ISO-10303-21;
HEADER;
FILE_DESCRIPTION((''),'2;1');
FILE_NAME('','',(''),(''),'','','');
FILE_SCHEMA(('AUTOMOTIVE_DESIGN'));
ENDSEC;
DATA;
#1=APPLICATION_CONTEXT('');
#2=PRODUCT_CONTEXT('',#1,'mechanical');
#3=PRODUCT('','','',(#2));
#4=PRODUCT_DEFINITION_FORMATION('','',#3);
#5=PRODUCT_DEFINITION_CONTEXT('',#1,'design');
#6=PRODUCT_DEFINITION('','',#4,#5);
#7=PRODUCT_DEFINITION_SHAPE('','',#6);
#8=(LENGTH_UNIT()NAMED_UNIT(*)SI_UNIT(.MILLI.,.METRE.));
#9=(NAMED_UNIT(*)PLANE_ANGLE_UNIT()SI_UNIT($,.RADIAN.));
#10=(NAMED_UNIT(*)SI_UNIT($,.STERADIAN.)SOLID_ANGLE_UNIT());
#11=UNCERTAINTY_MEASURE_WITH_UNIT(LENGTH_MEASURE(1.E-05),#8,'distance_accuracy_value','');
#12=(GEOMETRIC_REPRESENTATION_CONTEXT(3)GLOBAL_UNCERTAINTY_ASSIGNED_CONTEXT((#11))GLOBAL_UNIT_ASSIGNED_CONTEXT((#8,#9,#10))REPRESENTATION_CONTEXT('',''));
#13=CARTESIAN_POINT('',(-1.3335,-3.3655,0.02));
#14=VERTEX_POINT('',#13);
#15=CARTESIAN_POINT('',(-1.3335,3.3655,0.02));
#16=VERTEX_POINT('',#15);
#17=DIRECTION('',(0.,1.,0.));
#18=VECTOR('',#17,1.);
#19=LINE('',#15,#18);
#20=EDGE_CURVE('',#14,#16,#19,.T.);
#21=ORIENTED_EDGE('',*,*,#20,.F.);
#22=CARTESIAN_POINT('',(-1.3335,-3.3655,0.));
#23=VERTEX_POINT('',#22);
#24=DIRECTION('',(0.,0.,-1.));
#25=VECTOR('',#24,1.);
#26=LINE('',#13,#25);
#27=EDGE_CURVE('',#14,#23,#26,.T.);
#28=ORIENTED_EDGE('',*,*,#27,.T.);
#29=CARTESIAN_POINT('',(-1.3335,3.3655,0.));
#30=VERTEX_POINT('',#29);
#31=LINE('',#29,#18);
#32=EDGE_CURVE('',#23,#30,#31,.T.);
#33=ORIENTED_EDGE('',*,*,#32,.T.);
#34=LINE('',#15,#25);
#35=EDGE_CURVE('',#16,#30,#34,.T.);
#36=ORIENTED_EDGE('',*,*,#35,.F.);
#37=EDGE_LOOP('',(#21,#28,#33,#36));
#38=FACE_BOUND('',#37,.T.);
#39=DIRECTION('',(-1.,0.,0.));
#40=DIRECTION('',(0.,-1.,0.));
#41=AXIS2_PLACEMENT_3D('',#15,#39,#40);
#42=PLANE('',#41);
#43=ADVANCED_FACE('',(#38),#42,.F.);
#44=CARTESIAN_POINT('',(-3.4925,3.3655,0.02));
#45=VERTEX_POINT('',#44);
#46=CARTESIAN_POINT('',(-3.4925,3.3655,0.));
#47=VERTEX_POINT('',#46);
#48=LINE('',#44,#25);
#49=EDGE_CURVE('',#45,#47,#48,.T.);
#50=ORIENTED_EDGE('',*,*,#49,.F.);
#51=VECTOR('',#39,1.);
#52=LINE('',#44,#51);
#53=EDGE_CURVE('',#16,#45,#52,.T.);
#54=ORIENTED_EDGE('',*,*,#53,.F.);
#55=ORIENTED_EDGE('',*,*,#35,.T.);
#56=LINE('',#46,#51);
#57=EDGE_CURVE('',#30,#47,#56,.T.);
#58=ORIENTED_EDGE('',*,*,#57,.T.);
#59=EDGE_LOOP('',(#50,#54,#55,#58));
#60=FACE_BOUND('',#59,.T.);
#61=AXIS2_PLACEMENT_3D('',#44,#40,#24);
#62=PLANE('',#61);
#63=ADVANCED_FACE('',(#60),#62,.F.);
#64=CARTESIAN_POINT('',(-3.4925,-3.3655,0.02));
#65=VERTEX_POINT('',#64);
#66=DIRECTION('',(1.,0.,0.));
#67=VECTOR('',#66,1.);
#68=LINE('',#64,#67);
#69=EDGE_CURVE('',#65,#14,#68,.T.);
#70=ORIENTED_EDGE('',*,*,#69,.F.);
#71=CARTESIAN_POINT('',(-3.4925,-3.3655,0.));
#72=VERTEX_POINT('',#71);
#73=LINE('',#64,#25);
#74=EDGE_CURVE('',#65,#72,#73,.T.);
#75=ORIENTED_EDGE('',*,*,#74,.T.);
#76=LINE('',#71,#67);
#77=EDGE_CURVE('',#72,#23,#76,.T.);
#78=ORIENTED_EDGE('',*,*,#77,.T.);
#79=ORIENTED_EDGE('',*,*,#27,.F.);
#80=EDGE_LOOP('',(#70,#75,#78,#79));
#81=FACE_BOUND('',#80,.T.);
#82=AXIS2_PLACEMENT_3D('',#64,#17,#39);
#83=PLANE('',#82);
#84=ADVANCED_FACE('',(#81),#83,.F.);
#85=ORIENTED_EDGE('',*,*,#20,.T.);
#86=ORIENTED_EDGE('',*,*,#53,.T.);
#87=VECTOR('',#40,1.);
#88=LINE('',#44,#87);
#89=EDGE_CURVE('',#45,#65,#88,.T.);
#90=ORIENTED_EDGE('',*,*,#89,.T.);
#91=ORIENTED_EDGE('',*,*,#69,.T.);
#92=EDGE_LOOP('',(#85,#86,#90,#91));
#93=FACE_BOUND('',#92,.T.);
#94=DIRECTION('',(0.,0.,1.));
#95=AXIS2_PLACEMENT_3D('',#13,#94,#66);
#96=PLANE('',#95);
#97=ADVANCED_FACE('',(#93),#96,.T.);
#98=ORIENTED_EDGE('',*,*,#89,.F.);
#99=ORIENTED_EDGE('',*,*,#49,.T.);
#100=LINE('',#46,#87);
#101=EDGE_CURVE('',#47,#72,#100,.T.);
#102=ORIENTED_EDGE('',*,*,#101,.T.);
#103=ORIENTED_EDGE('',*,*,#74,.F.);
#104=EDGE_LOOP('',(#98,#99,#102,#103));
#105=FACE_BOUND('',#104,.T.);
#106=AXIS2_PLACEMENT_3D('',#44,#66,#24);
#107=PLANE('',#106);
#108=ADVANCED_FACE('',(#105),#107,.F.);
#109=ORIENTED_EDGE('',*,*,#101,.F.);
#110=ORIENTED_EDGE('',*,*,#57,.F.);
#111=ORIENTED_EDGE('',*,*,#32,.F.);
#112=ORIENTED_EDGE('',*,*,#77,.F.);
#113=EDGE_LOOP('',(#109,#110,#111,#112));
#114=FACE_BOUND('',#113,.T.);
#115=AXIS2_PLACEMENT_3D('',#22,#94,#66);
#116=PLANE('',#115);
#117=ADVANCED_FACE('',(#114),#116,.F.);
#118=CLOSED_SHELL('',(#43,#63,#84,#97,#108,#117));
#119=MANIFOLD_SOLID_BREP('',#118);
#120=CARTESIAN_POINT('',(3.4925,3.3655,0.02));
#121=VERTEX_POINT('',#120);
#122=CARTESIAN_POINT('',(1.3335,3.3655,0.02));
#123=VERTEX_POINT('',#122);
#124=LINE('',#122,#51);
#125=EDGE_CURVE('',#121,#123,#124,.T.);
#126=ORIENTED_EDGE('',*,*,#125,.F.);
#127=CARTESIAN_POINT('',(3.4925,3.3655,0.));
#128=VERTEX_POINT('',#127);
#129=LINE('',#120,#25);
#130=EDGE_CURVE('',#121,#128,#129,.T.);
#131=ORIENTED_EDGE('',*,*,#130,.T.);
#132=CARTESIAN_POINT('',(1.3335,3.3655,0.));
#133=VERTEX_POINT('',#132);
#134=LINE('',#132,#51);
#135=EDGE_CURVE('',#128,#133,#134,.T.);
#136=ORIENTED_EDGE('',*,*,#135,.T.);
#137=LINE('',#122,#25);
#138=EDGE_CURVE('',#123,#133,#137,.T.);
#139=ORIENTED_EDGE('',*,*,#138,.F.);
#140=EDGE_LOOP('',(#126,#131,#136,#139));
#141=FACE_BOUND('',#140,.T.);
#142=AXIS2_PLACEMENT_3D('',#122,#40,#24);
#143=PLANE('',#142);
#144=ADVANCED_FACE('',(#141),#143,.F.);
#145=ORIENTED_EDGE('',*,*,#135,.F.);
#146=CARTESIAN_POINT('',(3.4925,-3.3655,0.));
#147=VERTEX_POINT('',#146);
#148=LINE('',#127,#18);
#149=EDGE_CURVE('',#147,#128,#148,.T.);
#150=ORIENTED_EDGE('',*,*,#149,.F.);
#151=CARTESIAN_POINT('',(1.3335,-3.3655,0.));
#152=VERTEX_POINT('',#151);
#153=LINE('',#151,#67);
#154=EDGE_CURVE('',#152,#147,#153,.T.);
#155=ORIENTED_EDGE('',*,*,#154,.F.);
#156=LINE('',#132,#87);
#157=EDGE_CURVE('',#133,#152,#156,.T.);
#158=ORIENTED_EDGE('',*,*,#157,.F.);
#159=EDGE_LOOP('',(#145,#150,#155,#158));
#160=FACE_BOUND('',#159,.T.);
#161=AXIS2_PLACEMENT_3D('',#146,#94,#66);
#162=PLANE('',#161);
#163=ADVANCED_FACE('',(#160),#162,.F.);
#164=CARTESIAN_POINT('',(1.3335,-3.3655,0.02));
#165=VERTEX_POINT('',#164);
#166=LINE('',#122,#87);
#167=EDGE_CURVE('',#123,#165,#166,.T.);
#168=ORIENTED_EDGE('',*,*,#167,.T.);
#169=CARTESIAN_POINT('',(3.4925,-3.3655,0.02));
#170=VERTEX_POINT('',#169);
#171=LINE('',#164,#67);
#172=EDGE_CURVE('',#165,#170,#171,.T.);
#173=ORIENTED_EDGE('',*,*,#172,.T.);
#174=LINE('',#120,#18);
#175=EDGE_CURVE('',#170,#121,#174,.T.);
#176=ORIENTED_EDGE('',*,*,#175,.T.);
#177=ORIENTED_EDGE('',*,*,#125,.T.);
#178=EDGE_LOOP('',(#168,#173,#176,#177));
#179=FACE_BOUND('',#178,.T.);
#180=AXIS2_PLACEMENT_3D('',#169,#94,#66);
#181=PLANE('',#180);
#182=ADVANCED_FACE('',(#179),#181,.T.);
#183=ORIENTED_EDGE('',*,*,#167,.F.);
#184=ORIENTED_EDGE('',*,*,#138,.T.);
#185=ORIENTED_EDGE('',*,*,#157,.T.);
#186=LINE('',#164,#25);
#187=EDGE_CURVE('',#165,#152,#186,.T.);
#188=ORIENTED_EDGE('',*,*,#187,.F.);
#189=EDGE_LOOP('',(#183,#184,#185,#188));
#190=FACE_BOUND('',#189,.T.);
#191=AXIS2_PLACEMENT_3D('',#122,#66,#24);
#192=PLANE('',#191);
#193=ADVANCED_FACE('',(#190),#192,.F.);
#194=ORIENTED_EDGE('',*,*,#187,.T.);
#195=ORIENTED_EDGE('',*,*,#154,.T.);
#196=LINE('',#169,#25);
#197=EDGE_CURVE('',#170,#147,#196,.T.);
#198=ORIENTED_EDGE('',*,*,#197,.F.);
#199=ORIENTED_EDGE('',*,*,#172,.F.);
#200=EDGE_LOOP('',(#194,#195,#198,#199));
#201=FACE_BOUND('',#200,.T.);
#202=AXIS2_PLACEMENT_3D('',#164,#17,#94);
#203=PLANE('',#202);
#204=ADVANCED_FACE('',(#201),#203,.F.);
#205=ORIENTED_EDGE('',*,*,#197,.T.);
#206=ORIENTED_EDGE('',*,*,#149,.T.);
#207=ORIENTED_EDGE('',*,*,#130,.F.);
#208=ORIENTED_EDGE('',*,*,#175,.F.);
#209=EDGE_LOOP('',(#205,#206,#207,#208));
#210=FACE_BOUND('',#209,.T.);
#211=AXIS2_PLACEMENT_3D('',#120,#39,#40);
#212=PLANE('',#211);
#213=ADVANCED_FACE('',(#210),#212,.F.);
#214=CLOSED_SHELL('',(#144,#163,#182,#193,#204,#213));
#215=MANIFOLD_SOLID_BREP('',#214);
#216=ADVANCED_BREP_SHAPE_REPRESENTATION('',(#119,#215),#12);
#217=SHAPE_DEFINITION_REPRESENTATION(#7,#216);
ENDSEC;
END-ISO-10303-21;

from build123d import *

# Parameters (mm, degrees)
SKETCH_1_W        = 2.159
SKETCH_1_H        = 6.731
EXTRUDE_1_DEPTH   = 0.02
EXTRUDE_1_2_DEPTH = 0.02


with BuildPart() as part:
    # 草图1 → 凸台-拉伸1 (new body)
    with BuildSketch(Plane.XY):
        with Locations((-2.413, 0)):
            Rectangle(SKETCH_1_W, SKETCH_1_H)
    extrude(amount=EXTRUDE_1_DEPTH)


with BuildPart() as body_2:
    # 草图1 → Extrude 1 2 (new body)
    with BuildSketch(Plane.XY):
        with Locations((2.413, 0)):
            Rectangle(SKETCH_1_W, SKETCH_1_H)
    extrude(amount=EXTRUDE_1_2_DEPTH)


solid = Compound([part.part, body_2.part])
